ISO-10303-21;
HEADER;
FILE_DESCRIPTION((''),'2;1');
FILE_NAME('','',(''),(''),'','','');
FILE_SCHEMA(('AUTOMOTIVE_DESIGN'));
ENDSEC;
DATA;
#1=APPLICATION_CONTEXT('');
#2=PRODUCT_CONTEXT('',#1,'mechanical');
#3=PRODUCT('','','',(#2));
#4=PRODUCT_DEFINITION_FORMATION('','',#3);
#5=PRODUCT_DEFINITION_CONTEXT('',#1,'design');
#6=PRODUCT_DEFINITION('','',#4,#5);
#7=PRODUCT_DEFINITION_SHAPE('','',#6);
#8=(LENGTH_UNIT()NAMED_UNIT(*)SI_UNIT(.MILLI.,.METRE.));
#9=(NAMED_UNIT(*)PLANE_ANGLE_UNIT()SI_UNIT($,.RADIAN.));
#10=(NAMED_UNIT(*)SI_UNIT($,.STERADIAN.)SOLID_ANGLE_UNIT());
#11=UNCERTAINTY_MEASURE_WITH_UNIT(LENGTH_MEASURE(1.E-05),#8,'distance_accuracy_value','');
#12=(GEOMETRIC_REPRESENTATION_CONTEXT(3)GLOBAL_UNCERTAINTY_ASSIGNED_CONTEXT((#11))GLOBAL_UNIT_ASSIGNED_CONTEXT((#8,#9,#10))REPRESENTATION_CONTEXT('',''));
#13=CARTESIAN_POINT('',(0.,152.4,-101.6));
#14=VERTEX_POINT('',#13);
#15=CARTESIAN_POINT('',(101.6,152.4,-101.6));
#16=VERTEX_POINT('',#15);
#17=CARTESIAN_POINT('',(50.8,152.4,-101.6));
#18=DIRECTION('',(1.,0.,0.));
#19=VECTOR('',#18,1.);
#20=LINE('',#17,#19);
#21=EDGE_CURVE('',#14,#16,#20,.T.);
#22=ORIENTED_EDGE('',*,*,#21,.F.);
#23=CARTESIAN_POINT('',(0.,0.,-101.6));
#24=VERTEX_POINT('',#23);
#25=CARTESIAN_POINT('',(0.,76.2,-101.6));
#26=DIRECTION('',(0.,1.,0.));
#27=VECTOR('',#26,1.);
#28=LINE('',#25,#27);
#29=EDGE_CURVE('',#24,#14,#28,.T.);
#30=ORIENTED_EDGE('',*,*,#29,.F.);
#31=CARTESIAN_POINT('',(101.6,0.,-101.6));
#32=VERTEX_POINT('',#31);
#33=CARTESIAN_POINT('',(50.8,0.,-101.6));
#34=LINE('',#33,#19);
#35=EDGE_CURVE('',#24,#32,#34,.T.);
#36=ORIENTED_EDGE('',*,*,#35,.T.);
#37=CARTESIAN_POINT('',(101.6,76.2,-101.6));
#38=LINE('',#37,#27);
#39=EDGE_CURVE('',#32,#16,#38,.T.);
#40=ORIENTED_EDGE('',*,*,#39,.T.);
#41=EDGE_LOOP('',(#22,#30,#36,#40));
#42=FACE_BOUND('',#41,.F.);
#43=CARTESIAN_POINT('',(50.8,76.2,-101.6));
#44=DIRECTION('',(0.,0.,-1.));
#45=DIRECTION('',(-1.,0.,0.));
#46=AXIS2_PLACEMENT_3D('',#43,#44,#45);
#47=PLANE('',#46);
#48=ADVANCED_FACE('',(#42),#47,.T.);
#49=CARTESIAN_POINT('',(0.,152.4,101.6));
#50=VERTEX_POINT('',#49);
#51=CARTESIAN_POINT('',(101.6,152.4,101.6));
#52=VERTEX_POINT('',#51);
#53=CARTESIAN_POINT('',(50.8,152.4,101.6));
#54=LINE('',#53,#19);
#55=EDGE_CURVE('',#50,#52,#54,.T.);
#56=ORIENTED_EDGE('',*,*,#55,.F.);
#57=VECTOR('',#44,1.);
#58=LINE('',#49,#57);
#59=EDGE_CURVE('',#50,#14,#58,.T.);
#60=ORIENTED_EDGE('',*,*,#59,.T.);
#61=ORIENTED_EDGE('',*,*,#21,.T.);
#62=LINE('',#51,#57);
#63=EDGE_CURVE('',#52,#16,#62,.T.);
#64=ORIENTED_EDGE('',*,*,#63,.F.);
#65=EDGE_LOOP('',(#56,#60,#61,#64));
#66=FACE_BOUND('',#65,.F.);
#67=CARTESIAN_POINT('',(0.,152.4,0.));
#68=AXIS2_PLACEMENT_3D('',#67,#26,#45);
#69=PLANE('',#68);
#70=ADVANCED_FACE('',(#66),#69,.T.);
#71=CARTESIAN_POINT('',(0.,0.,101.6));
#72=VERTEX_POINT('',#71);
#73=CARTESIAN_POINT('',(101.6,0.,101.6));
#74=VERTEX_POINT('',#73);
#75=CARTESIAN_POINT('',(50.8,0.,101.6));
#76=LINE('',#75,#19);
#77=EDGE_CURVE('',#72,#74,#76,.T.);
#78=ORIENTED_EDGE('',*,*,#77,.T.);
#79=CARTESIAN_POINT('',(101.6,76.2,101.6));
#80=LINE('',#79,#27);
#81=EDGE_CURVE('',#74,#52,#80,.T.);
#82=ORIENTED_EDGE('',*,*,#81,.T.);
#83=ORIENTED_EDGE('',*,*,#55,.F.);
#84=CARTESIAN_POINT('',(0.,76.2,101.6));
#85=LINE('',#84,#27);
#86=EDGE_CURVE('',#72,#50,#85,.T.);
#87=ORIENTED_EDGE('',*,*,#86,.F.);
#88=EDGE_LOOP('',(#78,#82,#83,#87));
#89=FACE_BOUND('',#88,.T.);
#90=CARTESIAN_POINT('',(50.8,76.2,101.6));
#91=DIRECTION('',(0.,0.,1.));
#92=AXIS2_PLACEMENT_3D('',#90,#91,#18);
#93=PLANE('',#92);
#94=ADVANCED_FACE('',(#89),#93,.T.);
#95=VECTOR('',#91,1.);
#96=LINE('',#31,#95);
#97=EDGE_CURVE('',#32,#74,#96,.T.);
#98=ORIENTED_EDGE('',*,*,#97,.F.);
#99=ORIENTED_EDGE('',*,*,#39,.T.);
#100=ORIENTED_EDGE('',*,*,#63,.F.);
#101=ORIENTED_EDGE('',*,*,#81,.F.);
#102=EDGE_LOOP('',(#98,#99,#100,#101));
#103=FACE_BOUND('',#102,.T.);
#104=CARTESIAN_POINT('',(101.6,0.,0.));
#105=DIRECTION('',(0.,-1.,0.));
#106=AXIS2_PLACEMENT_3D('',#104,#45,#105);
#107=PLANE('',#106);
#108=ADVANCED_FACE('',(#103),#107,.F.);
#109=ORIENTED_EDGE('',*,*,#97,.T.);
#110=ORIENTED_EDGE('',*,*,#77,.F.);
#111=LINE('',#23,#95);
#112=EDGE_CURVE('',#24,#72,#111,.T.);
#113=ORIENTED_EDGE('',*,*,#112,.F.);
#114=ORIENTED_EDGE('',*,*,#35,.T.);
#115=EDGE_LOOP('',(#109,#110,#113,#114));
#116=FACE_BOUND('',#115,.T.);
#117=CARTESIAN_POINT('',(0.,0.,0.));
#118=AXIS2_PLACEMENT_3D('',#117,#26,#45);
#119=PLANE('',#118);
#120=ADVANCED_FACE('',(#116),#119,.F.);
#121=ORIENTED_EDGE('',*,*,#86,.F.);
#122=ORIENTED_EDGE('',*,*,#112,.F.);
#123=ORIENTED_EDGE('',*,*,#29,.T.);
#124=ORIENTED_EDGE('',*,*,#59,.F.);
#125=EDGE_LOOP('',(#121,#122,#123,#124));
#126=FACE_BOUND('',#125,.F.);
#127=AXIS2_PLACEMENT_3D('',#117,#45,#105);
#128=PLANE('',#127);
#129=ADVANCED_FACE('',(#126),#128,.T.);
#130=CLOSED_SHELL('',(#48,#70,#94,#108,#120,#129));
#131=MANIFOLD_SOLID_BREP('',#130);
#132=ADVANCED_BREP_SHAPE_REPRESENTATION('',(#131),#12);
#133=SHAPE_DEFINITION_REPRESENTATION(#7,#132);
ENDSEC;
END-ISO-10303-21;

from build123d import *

# Parameters (mm, degrees)
F0_W     = 101.6
F0_H     = 152.4
F1_DEPTH = 101.6


with BuildPart() as f1:
    # F0 (on Top) → F1 (new body)
    with BuildSketch(Plane.XY):
        with Locations((50.8, 76.2)):
            Rectangle(F0_W, F0_H)
    extrude(amount=F1_DEPTH)

    # F2: F1 across face


with BuildPart() as f1_1:
    add(f1.part)
    add(f1.part.mirror(Plane(origin=(50.8, 76.2, 0), x_dir=(1, 0, 0), z_dir=(0, 0, -1))))


solid = f1_1.part
